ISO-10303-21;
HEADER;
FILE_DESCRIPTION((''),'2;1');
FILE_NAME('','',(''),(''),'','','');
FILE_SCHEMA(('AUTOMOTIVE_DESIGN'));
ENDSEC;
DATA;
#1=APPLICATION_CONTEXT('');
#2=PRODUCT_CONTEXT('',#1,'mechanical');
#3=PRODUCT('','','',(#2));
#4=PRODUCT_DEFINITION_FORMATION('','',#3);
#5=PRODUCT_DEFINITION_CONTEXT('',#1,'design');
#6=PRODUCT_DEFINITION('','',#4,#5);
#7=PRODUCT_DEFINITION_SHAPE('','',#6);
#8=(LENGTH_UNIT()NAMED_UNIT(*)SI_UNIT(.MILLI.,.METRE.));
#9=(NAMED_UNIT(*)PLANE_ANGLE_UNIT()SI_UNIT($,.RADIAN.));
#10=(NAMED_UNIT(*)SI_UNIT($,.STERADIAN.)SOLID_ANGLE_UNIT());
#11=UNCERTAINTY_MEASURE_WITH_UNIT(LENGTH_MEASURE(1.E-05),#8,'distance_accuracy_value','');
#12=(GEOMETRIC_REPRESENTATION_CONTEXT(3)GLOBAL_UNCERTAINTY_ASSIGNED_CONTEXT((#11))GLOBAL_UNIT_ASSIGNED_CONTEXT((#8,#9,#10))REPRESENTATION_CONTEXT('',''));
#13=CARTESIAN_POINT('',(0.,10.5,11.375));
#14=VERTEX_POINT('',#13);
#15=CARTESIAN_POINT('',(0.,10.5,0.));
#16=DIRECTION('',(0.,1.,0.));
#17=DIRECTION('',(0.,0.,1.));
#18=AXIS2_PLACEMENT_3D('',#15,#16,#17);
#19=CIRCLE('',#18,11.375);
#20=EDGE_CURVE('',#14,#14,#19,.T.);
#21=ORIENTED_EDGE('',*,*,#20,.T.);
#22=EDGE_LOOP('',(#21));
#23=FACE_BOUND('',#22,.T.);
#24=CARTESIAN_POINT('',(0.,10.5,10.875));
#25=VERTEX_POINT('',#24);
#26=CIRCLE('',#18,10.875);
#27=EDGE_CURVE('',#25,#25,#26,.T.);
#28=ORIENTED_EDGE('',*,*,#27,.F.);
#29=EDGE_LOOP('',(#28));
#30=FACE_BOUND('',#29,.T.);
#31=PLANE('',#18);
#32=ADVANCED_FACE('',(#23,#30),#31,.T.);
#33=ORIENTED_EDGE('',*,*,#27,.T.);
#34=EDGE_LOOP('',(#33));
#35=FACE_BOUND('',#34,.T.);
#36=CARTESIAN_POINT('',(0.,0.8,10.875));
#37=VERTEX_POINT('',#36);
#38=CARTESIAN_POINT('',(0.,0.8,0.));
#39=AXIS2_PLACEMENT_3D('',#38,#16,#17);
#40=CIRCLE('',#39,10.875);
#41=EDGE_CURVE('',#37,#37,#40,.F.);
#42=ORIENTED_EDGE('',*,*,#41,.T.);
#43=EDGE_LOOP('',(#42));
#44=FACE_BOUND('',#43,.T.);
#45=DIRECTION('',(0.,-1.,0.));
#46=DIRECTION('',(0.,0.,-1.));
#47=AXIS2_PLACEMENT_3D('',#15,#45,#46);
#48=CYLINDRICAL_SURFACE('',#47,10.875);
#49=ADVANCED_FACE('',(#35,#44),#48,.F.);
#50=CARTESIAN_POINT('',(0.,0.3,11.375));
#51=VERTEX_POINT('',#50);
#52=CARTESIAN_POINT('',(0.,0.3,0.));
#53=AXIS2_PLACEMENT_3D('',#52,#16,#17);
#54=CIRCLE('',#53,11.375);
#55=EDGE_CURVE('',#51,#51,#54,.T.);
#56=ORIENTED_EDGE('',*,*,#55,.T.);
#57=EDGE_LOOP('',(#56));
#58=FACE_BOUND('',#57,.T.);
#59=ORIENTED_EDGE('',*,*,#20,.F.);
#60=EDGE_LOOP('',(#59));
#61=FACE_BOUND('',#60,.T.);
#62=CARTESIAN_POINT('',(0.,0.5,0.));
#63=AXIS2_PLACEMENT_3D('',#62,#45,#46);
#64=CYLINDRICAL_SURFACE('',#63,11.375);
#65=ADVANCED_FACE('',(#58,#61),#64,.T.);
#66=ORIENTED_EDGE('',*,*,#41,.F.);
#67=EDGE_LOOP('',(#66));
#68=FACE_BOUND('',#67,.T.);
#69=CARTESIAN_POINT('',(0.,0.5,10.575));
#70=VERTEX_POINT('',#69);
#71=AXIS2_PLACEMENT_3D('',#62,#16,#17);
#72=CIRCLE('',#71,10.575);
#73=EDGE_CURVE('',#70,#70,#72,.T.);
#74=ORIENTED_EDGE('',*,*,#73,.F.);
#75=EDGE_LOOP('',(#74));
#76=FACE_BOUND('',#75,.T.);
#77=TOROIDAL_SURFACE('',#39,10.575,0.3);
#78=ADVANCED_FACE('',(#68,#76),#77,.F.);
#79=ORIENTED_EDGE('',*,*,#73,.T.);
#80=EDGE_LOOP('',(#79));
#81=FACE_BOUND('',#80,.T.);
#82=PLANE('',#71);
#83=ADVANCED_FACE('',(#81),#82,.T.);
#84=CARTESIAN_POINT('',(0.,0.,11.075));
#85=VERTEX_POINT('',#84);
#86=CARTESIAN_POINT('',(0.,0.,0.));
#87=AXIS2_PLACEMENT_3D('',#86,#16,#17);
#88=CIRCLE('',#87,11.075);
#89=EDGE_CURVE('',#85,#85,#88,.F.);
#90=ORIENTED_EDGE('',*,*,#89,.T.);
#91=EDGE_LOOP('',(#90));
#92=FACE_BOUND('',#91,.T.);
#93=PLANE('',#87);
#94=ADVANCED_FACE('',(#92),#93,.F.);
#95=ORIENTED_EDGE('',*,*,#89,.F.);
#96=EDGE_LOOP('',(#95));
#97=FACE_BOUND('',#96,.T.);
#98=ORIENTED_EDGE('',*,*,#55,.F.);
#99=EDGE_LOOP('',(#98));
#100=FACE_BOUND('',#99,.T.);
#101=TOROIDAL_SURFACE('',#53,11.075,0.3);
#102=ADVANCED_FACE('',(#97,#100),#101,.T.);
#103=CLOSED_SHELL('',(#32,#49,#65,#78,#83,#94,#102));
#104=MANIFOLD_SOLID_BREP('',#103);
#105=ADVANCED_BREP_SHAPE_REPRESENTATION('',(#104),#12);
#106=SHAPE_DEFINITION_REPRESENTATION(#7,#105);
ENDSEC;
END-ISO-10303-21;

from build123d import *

# Parameters (mm, degrees)
CROQUIS1_R              = 11.375
SALIENTE_EXTRUIR1_DEPTH = 0.5
CROQUIS2_R              = 11.375
CROQUIS2_R_2            = 10.875
SALIENTE_EXTRUIR2_DEPTH = 10
REDONDEO1_R             = 0.3
REDONDEO2_R             = 0.3


with BuildPart() as part:
    # Croquis1 → Saliente-Extruir1 (new body)
    with BuildSketch(Plane(origin=(0, 0, 0), x_dir=(1, 0, 0), z_dir=(0, 1, 0))):
        with Locations(Location((0, 0, 0), (0, 0, 270))):
            Circle(CROQUIS1_R)
    extrude(amount=SALIENTE_EXTRUIR1_DEPTH)

    # Croquis2 → Saliente-Extruir2 (add)
    with BuildSketch(Plane(origin=(0, 0.5, 0), x_dir=(1, 0, 0), z_dir=(0, 1, 0))):
        with Locations(Location((0, 0, 0), (0, 0, 270))):
            Circle(CROQUIS2_R)
        with Locations(Location((0, 0, 0), (0, 0, 270))):
            Circle(CROQUIS2_R_2, mode=Mode.SUBTRACT)
    extrude(amount=SALIENTE_EXTRUIR2_DEPTH)

    # Redondeo1
    redondeo1_edges = [part.edges().sort_by_distance(p)[0] for p in [
        (0, 0.5, -10.875),
    ]]
    fillet(redondeo1_edges, radius=REDONDEO1_R)

    # Redondeo2
    redondeo2_edges = [part.edges().sort_by_distance(p)[0] for p in [
        (0, 0, -11.375),
    ]]
    fillet(redondeo2_edges, radius=REDONDEO2_R)


solid = part.part
